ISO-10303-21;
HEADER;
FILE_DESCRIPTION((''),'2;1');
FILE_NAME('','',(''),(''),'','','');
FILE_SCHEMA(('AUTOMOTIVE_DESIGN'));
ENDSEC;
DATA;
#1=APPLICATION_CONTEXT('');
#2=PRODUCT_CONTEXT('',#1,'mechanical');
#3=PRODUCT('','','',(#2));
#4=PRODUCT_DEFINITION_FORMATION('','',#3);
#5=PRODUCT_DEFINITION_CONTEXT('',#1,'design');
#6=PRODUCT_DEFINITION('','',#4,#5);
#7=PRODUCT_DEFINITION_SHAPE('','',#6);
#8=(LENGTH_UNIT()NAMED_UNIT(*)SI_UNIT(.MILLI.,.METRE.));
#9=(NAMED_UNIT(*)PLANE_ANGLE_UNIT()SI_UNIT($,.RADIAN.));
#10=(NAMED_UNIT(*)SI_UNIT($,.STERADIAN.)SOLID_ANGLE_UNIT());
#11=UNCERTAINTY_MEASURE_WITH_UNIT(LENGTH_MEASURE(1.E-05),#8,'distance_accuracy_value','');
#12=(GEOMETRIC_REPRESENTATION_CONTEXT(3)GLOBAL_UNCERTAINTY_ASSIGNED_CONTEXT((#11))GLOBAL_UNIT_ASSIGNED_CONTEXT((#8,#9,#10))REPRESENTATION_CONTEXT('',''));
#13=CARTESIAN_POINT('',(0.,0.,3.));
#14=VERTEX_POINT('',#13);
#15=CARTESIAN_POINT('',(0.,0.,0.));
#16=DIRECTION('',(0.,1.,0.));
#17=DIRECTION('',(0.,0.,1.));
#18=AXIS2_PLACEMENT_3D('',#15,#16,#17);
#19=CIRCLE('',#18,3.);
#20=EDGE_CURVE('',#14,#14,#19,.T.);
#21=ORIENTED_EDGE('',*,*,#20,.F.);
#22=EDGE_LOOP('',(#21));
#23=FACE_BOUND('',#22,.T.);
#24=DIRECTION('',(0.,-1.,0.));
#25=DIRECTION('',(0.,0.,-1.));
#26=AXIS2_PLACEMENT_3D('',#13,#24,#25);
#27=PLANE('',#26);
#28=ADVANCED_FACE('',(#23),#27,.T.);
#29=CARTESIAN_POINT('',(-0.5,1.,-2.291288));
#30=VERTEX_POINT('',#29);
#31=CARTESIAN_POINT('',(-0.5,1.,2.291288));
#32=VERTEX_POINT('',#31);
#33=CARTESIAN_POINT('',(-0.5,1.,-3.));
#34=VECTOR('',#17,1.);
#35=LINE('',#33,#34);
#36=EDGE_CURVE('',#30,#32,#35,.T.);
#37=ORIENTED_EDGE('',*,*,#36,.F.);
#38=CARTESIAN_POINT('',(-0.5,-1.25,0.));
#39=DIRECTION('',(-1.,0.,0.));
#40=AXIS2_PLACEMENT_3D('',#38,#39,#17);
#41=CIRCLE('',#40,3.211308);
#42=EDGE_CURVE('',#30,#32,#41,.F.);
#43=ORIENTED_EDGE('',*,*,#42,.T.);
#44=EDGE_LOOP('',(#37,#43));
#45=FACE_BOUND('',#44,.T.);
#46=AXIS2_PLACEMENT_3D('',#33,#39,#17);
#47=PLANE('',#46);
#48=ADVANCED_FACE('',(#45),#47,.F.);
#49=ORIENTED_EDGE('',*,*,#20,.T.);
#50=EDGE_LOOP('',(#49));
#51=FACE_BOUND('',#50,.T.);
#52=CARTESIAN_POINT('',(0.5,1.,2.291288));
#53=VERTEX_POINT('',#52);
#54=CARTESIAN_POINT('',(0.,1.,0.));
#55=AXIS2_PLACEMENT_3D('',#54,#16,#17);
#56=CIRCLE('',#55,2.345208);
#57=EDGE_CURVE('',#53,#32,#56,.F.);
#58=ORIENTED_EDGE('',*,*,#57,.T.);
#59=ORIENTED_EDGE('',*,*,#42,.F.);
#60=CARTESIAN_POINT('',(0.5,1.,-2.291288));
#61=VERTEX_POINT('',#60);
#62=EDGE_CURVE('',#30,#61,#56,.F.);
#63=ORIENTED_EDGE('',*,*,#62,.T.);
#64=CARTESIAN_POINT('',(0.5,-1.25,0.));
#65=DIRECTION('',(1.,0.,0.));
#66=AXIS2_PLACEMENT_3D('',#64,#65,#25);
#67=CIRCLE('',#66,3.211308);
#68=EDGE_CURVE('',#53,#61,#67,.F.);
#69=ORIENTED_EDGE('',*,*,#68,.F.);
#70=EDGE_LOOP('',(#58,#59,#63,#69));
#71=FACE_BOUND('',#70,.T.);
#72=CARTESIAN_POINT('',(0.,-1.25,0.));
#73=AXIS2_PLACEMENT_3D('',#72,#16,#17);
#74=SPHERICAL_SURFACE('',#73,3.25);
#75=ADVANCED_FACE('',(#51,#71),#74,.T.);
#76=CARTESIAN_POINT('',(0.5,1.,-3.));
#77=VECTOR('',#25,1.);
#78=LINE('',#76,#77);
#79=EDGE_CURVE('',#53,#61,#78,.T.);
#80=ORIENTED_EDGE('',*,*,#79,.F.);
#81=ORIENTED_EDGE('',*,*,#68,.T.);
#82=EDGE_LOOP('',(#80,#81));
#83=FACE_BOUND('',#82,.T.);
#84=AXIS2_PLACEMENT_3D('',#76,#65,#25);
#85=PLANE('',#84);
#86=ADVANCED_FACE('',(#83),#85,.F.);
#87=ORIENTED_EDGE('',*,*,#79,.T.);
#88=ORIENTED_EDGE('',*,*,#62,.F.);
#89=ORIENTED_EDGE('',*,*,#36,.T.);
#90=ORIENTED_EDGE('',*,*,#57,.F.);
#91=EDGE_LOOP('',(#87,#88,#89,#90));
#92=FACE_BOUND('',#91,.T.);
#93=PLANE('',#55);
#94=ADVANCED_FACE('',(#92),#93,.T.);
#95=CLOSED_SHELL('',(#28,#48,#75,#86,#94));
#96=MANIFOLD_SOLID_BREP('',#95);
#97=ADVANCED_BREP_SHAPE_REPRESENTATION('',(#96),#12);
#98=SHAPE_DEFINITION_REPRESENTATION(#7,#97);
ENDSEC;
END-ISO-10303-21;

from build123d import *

# Parameters (mm, degrees)
CROQUIS2_W            = 1
CROQUIS2_H            = 6
CORTAR_EXTRUIR1_DEPTH = 1


with BuildPart() as part:
    # Croquis1 → Revolución1 (revolve)
    with BuildSketch(Plane(origin=(0, 0, 0), x_dir=(0, 0, -1), z_dir=(1, 0, 0))):
        with BuildLine():
            Line((-3, 0), (0, 0))
            Line((0, 0), (0, 2))
            ThreePointArc((0, 2), (-1.802775638, 1.454163457), (-3, 0))
        make_face()
    revolve(axis=Axis((0, 3.545719076, 0), (0, -1, 0)))

    # Croquis2 → Cortar-Extruir1 (cut)
    with BuildSketch(Plane(origin=(0, 2, 0), x_dir=(1, 0, 0), z_dir=(0, 1, 0))):
        Rectangle(CROQUIS2_W, CROQUIS2_H)
    extrude(amount=-CORTAR_EXTRUIR1_DEPTH, mode=Mode.SUBTRACT)


solid = part.part
